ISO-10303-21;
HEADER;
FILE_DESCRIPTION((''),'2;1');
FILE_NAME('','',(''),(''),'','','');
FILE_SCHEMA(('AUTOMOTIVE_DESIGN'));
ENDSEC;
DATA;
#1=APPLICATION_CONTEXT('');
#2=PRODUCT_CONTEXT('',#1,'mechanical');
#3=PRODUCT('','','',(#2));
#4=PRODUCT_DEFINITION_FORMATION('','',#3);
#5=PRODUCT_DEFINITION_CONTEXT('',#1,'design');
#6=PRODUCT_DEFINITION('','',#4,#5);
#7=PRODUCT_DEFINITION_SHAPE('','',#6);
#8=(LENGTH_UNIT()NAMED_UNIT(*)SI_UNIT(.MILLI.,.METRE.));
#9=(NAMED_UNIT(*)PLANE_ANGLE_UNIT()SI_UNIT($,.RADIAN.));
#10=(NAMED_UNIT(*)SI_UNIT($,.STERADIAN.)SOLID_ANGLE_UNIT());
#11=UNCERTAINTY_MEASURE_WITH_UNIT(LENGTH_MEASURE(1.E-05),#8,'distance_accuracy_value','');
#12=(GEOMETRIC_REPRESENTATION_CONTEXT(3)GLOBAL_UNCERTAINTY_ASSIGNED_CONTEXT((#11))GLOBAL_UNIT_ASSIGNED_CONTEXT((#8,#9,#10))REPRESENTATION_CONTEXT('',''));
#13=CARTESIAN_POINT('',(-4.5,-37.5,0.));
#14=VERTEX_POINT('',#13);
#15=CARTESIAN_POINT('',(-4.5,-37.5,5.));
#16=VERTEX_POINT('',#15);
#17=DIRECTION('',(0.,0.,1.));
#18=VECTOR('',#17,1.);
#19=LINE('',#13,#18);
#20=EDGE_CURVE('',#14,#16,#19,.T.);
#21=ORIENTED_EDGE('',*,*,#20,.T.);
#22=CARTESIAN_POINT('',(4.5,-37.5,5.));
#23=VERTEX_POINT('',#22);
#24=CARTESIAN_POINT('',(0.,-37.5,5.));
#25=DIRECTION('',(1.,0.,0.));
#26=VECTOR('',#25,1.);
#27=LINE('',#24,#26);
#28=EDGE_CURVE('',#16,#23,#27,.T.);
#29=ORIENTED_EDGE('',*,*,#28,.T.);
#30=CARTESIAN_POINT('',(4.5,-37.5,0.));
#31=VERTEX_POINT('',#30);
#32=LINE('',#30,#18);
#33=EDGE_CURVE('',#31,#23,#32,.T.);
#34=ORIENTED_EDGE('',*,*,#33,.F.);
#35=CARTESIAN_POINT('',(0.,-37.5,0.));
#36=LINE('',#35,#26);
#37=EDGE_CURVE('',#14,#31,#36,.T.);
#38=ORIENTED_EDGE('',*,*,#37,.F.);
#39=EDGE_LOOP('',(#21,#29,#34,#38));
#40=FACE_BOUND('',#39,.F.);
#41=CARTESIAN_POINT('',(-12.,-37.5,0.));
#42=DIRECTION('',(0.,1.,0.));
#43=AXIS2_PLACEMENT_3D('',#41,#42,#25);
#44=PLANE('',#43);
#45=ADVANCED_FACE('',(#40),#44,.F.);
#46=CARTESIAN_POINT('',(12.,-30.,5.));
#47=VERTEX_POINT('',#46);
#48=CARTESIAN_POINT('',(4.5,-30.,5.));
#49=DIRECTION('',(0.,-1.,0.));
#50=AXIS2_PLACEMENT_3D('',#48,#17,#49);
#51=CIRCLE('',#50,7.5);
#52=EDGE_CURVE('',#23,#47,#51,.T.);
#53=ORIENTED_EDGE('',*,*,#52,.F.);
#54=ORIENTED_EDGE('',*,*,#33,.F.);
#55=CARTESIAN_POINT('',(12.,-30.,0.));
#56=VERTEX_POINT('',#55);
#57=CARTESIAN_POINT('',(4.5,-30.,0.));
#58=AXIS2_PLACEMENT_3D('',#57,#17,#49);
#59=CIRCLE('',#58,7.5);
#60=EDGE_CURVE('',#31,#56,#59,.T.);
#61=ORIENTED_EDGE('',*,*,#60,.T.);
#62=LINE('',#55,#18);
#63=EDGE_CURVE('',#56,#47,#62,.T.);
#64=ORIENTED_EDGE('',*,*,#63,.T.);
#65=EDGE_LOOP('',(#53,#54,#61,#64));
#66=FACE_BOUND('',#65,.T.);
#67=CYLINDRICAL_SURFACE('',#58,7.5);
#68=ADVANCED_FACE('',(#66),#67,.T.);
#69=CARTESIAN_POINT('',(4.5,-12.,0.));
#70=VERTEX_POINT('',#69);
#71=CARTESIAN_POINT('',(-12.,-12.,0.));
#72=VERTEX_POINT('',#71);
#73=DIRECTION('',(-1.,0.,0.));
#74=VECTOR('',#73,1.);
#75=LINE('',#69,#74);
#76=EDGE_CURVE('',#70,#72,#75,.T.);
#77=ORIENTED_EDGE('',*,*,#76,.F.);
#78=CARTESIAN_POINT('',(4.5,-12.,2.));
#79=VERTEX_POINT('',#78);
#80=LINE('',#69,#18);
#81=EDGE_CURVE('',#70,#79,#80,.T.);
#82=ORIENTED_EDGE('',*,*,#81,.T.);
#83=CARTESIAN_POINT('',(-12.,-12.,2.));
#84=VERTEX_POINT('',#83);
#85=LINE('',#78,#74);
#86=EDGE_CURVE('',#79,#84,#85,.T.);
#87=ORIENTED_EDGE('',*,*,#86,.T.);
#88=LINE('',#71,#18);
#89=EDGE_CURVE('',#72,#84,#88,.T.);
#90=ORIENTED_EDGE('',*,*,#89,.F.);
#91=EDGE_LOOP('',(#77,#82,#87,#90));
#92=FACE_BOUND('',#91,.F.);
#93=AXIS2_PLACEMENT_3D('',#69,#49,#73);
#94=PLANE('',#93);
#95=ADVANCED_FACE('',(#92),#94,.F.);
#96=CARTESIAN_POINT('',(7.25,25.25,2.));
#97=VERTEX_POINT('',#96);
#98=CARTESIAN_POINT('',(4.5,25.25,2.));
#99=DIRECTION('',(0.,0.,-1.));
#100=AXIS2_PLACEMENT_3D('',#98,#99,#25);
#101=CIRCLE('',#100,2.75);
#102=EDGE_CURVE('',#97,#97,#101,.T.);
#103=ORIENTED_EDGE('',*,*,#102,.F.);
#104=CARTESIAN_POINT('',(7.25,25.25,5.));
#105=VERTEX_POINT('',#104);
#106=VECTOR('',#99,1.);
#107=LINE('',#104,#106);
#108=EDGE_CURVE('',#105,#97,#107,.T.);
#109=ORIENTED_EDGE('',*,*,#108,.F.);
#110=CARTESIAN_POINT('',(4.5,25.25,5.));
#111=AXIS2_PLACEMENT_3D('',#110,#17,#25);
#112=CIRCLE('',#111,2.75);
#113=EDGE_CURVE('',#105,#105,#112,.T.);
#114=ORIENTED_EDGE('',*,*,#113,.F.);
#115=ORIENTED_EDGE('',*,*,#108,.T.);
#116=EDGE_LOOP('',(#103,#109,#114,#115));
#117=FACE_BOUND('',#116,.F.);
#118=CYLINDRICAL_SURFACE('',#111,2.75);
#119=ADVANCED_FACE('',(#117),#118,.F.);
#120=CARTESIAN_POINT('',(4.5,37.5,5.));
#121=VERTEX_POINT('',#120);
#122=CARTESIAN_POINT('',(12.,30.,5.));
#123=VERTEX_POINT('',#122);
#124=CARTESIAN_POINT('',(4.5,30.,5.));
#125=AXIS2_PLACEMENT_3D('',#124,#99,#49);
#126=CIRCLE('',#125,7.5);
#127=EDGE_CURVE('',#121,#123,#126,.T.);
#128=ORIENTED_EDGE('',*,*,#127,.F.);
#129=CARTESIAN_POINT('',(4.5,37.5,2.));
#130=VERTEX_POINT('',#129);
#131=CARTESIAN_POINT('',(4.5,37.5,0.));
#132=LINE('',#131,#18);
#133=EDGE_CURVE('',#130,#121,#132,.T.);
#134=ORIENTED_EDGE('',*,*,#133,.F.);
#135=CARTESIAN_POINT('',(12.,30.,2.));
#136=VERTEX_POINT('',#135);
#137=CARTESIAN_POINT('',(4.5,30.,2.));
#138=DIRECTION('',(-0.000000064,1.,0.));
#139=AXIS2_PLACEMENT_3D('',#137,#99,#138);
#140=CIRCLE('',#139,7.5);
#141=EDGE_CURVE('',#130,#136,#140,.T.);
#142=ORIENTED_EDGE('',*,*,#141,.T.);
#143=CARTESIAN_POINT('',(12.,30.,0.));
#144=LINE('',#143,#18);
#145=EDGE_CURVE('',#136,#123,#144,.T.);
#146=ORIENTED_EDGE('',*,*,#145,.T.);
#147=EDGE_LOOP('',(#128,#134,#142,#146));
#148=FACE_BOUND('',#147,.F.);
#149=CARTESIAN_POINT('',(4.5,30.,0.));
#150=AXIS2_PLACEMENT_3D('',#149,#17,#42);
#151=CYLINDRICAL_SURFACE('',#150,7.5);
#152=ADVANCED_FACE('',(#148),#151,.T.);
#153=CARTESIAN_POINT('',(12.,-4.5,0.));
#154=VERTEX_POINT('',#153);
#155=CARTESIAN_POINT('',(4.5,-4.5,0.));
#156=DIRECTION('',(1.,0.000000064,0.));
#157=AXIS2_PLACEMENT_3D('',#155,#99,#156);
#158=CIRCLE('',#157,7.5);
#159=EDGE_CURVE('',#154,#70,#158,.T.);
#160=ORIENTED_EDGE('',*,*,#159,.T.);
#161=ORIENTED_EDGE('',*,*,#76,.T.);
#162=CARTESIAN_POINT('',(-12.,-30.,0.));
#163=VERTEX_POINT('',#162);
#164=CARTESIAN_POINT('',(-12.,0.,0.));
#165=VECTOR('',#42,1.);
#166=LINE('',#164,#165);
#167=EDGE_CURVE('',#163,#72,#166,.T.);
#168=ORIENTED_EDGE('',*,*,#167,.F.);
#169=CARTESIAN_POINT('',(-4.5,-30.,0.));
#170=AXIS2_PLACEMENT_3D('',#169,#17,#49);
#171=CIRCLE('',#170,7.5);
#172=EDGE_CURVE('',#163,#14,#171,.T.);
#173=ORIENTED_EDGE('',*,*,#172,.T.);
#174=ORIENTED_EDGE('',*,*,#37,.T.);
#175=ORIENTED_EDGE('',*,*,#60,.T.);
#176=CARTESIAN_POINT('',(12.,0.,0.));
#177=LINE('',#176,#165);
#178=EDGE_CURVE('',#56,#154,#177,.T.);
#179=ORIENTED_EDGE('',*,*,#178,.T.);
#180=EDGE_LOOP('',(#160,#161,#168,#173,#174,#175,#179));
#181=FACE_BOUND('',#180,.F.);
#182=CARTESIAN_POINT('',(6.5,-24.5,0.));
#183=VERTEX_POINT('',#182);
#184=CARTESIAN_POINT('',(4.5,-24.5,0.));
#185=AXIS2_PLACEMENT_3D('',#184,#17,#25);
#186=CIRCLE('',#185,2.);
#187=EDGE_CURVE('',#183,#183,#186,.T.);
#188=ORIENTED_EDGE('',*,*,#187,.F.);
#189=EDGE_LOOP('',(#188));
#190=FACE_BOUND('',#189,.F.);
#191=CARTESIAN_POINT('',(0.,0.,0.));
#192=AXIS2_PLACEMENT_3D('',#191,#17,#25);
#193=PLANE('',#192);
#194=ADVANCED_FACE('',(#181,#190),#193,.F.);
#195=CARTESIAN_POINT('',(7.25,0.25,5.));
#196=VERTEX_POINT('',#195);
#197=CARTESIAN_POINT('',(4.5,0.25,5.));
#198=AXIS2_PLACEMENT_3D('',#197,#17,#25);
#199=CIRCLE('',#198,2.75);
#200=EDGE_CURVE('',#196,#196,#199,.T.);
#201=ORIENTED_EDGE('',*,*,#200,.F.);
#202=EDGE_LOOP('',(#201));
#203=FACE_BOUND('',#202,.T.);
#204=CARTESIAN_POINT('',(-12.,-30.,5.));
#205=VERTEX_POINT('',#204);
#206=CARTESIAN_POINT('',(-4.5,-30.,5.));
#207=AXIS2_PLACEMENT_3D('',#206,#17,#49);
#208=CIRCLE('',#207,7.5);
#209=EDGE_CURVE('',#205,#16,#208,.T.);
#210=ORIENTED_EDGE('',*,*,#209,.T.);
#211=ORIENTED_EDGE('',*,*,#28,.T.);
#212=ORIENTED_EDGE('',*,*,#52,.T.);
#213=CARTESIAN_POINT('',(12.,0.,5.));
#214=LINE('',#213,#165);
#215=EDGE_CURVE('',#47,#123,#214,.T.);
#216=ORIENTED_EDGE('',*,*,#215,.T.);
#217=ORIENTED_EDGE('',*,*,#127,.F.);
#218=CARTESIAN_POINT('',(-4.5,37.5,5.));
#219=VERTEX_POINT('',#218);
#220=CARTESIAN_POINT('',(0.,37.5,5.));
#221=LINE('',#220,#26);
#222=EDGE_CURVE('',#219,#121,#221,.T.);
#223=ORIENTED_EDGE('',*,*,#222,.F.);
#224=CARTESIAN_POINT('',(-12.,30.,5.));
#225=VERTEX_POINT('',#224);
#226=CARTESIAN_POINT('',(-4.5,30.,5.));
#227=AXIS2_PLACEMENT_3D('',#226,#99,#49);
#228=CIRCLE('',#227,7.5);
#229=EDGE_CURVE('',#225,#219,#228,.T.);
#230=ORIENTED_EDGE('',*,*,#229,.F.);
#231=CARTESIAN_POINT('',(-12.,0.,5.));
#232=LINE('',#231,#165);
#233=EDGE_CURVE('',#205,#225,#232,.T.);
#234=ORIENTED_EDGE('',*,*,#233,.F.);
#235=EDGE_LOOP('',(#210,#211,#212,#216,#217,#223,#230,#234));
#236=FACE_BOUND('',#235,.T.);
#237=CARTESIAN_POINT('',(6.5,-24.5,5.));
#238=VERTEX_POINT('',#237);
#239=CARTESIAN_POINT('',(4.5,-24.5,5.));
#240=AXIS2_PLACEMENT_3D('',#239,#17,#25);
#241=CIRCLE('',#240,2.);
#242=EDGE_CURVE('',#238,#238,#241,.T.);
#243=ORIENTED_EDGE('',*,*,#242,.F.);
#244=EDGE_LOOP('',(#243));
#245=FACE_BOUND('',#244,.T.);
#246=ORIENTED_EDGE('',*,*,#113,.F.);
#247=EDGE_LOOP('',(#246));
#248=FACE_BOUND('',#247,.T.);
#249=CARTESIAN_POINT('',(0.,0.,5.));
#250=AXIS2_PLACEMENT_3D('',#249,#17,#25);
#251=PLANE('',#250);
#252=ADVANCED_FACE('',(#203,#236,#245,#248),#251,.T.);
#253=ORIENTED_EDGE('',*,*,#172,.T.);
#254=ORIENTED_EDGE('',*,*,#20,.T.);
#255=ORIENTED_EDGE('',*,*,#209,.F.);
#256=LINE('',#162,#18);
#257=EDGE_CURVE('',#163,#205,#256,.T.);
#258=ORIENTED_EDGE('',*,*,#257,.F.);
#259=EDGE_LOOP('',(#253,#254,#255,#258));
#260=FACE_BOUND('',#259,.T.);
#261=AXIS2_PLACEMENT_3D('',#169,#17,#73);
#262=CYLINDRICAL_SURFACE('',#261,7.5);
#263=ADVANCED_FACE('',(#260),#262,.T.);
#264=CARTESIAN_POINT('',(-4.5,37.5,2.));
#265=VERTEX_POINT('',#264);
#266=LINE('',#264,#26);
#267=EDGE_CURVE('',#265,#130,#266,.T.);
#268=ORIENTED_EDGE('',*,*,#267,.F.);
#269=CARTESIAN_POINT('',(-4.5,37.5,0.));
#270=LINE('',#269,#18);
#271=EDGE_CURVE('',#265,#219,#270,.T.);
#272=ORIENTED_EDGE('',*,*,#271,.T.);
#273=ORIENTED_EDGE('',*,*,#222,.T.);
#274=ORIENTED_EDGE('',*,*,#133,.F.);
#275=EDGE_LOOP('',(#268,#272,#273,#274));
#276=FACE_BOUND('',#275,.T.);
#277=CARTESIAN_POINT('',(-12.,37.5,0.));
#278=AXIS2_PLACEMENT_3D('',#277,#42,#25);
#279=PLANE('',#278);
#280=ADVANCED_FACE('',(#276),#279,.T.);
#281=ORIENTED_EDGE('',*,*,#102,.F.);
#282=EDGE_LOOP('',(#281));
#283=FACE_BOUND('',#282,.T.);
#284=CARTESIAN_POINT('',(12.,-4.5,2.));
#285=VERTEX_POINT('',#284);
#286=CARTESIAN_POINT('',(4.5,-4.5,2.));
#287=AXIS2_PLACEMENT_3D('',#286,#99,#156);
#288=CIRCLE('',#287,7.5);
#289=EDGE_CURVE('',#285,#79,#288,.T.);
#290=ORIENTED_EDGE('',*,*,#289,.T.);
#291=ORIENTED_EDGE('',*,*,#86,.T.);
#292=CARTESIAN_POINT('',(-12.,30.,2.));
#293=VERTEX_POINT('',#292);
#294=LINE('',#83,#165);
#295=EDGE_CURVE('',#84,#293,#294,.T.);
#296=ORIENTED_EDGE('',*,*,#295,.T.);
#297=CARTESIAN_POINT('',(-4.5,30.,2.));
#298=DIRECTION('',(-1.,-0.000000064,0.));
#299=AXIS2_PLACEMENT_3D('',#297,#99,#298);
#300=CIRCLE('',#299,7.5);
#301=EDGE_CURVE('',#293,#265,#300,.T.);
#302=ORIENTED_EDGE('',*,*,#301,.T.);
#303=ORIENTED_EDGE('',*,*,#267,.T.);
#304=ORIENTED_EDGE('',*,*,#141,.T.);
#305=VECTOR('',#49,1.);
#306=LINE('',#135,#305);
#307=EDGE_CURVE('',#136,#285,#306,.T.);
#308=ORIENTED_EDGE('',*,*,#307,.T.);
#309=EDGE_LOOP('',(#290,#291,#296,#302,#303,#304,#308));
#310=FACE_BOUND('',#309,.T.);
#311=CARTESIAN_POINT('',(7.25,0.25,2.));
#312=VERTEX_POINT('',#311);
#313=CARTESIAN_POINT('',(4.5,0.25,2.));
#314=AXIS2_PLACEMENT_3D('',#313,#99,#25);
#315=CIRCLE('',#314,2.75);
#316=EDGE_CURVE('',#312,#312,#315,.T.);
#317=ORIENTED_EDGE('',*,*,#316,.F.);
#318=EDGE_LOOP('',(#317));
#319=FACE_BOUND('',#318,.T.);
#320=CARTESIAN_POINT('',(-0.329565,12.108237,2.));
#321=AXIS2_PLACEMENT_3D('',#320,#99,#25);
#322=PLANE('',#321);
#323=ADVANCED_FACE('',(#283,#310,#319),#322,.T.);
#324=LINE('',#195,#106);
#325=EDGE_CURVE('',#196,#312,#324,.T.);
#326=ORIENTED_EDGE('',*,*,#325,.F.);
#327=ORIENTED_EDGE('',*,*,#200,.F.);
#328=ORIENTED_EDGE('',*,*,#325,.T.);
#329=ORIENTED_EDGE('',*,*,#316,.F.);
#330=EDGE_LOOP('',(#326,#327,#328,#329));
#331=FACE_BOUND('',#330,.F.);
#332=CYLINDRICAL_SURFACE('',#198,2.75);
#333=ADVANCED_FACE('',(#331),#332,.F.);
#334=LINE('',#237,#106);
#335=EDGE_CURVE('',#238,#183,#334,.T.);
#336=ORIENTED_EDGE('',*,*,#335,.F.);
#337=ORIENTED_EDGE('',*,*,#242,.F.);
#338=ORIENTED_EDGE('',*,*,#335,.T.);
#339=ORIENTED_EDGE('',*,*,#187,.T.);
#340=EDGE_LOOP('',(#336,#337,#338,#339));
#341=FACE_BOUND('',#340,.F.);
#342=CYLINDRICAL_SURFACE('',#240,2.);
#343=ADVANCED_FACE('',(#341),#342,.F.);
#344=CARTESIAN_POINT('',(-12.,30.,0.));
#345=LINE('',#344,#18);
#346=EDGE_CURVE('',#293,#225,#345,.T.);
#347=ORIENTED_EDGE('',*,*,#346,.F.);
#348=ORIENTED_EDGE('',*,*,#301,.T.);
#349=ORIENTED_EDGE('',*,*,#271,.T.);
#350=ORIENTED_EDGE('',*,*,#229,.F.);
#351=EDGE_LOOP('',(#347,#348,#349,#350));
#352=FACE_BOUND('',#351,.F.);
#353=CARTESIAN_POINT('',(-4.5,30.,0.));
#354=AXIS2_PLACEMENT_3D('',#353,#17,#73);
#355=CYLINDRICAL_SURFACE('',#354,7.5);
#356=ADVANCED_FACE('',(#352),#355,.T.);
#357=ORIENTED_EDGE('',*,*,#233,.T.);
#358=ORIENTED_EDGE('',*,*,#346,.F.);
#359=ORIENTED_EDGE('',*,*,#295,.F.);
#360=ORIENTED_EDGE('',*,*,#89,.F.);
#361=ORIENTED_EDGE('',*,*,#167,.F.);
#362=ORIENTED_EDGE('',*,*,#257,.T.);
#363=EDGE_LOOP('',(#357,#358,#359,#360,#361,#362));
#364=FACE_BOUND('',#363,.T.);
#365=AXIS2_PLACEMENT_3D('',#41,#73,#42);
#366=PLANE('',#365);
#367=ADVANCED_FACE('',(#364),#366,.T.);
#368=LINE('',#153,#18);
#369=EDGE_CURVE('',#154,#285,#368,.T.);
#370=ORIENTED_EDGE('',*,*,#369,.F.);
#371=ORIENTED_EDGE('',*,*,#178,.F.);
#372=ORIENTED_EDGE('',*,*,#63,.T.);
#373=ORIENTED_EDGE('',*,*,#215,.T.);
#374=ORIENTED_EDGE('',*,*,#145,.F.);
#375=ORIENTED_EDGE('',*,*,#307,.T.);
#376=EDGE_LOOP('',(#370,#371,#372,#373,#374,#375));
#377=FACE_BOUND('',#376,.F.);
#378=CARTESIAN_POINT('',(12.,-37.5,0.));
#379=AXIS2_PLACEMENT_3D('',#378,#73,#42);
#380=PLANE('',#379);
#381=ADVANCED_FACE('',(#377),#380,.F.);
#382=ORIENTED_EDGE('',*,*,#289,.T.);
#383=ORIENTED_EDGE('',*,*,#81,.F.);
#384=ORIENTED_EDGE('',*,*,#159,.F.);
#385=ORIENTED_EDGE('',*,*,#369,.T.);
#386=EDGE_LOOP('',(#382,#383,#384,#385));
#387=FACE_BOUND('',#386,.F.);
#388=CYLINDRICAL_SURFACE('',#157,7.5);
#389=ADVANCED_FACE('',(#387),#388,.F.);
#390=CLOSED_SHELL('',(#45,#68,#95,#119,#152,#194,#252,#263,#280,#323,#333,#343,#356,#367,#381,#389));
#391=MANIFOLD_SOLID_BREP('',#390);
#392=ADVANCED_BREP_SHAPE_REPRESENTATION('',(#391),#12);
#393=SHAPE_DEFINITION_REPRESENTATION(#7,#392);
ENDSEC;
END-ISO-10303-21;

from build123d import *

# Parameters (mm, degrees)
F0_W     = 24
F0_H     = 75
F1_DEPTH = 5
F2_R     = 2.75
F2_R_2   = 2
F3_DEPTH = 5
F4_R     = 7.5
F5_R     = 2.75
F6_DEPTH = 2


with BuildPart() as f1:
    # F0 (on Top) → F1 (new body)
    with BuildSketch(Plane.XY):
        Rectangle(F0_W, F0_H)
    extrude(amount=F1_DEPTH)

    # F2 (on face) → F3 (cut)
    with BuildSketch(Plane.XY.offset(5)):
        with Locations((4.5, 25.25)):
            Circle(F2_R)
        with Locations((4.5, 0.25)):
            Circle(F2_R)
        with Locations((4.5, -24.5)):
            Circle(F2_R_2)
    extrude(amount=-F3_DEPTH, mode=Mode.SUBTRACT)

    # F4
    f4_edges = [f1.edges().sort_by_distance(p)[0] for p in [
        (12, 37.5, 2.5),
        (-12, 37.5, 2.5),
        (12, -37.5, 2.5),
        (-12, -37.5, 2.5),
    ]]
    fillet(f4_edges, radius=F4_R)

    # F5 (on face) → F6 (cut)
    with BuildSketch(Plane(origin=(0, 0, 0), x_dir=(1, 0, 0), z_dir=(0, 0, -1))):
        with BuildLine():
            Line((4.5, 12), (-12, 12))
            Line((-12, 12), (-12, -30))
            ThreePointArc((-12, -30), (-9.803301, -35.303301), (-4.5, -37.5))
            Line((-4.5, -37.5), (4.5, -37.5))
            ThreePointArc((4.5, -37.5), (9.803301, -35.303301), (12, -30))
            Line((12, -30), (12, 4.5))
            ThreePointArc((12, 4.5), (9.803301, 9.803301), (4.5, 12))
        make_face()
        with Locations((4.5, -25.25)):
            Circle(F5_R, mode=Mode.SUBTRACT)
        with Locations((4.5, -0.25)):
            Circle(F5_R, mode=Mode.SUBTRACT)
    extrude(amount=-F6_DEPTH, mode=Mode.SUBTRACT)


solid = f1.part
